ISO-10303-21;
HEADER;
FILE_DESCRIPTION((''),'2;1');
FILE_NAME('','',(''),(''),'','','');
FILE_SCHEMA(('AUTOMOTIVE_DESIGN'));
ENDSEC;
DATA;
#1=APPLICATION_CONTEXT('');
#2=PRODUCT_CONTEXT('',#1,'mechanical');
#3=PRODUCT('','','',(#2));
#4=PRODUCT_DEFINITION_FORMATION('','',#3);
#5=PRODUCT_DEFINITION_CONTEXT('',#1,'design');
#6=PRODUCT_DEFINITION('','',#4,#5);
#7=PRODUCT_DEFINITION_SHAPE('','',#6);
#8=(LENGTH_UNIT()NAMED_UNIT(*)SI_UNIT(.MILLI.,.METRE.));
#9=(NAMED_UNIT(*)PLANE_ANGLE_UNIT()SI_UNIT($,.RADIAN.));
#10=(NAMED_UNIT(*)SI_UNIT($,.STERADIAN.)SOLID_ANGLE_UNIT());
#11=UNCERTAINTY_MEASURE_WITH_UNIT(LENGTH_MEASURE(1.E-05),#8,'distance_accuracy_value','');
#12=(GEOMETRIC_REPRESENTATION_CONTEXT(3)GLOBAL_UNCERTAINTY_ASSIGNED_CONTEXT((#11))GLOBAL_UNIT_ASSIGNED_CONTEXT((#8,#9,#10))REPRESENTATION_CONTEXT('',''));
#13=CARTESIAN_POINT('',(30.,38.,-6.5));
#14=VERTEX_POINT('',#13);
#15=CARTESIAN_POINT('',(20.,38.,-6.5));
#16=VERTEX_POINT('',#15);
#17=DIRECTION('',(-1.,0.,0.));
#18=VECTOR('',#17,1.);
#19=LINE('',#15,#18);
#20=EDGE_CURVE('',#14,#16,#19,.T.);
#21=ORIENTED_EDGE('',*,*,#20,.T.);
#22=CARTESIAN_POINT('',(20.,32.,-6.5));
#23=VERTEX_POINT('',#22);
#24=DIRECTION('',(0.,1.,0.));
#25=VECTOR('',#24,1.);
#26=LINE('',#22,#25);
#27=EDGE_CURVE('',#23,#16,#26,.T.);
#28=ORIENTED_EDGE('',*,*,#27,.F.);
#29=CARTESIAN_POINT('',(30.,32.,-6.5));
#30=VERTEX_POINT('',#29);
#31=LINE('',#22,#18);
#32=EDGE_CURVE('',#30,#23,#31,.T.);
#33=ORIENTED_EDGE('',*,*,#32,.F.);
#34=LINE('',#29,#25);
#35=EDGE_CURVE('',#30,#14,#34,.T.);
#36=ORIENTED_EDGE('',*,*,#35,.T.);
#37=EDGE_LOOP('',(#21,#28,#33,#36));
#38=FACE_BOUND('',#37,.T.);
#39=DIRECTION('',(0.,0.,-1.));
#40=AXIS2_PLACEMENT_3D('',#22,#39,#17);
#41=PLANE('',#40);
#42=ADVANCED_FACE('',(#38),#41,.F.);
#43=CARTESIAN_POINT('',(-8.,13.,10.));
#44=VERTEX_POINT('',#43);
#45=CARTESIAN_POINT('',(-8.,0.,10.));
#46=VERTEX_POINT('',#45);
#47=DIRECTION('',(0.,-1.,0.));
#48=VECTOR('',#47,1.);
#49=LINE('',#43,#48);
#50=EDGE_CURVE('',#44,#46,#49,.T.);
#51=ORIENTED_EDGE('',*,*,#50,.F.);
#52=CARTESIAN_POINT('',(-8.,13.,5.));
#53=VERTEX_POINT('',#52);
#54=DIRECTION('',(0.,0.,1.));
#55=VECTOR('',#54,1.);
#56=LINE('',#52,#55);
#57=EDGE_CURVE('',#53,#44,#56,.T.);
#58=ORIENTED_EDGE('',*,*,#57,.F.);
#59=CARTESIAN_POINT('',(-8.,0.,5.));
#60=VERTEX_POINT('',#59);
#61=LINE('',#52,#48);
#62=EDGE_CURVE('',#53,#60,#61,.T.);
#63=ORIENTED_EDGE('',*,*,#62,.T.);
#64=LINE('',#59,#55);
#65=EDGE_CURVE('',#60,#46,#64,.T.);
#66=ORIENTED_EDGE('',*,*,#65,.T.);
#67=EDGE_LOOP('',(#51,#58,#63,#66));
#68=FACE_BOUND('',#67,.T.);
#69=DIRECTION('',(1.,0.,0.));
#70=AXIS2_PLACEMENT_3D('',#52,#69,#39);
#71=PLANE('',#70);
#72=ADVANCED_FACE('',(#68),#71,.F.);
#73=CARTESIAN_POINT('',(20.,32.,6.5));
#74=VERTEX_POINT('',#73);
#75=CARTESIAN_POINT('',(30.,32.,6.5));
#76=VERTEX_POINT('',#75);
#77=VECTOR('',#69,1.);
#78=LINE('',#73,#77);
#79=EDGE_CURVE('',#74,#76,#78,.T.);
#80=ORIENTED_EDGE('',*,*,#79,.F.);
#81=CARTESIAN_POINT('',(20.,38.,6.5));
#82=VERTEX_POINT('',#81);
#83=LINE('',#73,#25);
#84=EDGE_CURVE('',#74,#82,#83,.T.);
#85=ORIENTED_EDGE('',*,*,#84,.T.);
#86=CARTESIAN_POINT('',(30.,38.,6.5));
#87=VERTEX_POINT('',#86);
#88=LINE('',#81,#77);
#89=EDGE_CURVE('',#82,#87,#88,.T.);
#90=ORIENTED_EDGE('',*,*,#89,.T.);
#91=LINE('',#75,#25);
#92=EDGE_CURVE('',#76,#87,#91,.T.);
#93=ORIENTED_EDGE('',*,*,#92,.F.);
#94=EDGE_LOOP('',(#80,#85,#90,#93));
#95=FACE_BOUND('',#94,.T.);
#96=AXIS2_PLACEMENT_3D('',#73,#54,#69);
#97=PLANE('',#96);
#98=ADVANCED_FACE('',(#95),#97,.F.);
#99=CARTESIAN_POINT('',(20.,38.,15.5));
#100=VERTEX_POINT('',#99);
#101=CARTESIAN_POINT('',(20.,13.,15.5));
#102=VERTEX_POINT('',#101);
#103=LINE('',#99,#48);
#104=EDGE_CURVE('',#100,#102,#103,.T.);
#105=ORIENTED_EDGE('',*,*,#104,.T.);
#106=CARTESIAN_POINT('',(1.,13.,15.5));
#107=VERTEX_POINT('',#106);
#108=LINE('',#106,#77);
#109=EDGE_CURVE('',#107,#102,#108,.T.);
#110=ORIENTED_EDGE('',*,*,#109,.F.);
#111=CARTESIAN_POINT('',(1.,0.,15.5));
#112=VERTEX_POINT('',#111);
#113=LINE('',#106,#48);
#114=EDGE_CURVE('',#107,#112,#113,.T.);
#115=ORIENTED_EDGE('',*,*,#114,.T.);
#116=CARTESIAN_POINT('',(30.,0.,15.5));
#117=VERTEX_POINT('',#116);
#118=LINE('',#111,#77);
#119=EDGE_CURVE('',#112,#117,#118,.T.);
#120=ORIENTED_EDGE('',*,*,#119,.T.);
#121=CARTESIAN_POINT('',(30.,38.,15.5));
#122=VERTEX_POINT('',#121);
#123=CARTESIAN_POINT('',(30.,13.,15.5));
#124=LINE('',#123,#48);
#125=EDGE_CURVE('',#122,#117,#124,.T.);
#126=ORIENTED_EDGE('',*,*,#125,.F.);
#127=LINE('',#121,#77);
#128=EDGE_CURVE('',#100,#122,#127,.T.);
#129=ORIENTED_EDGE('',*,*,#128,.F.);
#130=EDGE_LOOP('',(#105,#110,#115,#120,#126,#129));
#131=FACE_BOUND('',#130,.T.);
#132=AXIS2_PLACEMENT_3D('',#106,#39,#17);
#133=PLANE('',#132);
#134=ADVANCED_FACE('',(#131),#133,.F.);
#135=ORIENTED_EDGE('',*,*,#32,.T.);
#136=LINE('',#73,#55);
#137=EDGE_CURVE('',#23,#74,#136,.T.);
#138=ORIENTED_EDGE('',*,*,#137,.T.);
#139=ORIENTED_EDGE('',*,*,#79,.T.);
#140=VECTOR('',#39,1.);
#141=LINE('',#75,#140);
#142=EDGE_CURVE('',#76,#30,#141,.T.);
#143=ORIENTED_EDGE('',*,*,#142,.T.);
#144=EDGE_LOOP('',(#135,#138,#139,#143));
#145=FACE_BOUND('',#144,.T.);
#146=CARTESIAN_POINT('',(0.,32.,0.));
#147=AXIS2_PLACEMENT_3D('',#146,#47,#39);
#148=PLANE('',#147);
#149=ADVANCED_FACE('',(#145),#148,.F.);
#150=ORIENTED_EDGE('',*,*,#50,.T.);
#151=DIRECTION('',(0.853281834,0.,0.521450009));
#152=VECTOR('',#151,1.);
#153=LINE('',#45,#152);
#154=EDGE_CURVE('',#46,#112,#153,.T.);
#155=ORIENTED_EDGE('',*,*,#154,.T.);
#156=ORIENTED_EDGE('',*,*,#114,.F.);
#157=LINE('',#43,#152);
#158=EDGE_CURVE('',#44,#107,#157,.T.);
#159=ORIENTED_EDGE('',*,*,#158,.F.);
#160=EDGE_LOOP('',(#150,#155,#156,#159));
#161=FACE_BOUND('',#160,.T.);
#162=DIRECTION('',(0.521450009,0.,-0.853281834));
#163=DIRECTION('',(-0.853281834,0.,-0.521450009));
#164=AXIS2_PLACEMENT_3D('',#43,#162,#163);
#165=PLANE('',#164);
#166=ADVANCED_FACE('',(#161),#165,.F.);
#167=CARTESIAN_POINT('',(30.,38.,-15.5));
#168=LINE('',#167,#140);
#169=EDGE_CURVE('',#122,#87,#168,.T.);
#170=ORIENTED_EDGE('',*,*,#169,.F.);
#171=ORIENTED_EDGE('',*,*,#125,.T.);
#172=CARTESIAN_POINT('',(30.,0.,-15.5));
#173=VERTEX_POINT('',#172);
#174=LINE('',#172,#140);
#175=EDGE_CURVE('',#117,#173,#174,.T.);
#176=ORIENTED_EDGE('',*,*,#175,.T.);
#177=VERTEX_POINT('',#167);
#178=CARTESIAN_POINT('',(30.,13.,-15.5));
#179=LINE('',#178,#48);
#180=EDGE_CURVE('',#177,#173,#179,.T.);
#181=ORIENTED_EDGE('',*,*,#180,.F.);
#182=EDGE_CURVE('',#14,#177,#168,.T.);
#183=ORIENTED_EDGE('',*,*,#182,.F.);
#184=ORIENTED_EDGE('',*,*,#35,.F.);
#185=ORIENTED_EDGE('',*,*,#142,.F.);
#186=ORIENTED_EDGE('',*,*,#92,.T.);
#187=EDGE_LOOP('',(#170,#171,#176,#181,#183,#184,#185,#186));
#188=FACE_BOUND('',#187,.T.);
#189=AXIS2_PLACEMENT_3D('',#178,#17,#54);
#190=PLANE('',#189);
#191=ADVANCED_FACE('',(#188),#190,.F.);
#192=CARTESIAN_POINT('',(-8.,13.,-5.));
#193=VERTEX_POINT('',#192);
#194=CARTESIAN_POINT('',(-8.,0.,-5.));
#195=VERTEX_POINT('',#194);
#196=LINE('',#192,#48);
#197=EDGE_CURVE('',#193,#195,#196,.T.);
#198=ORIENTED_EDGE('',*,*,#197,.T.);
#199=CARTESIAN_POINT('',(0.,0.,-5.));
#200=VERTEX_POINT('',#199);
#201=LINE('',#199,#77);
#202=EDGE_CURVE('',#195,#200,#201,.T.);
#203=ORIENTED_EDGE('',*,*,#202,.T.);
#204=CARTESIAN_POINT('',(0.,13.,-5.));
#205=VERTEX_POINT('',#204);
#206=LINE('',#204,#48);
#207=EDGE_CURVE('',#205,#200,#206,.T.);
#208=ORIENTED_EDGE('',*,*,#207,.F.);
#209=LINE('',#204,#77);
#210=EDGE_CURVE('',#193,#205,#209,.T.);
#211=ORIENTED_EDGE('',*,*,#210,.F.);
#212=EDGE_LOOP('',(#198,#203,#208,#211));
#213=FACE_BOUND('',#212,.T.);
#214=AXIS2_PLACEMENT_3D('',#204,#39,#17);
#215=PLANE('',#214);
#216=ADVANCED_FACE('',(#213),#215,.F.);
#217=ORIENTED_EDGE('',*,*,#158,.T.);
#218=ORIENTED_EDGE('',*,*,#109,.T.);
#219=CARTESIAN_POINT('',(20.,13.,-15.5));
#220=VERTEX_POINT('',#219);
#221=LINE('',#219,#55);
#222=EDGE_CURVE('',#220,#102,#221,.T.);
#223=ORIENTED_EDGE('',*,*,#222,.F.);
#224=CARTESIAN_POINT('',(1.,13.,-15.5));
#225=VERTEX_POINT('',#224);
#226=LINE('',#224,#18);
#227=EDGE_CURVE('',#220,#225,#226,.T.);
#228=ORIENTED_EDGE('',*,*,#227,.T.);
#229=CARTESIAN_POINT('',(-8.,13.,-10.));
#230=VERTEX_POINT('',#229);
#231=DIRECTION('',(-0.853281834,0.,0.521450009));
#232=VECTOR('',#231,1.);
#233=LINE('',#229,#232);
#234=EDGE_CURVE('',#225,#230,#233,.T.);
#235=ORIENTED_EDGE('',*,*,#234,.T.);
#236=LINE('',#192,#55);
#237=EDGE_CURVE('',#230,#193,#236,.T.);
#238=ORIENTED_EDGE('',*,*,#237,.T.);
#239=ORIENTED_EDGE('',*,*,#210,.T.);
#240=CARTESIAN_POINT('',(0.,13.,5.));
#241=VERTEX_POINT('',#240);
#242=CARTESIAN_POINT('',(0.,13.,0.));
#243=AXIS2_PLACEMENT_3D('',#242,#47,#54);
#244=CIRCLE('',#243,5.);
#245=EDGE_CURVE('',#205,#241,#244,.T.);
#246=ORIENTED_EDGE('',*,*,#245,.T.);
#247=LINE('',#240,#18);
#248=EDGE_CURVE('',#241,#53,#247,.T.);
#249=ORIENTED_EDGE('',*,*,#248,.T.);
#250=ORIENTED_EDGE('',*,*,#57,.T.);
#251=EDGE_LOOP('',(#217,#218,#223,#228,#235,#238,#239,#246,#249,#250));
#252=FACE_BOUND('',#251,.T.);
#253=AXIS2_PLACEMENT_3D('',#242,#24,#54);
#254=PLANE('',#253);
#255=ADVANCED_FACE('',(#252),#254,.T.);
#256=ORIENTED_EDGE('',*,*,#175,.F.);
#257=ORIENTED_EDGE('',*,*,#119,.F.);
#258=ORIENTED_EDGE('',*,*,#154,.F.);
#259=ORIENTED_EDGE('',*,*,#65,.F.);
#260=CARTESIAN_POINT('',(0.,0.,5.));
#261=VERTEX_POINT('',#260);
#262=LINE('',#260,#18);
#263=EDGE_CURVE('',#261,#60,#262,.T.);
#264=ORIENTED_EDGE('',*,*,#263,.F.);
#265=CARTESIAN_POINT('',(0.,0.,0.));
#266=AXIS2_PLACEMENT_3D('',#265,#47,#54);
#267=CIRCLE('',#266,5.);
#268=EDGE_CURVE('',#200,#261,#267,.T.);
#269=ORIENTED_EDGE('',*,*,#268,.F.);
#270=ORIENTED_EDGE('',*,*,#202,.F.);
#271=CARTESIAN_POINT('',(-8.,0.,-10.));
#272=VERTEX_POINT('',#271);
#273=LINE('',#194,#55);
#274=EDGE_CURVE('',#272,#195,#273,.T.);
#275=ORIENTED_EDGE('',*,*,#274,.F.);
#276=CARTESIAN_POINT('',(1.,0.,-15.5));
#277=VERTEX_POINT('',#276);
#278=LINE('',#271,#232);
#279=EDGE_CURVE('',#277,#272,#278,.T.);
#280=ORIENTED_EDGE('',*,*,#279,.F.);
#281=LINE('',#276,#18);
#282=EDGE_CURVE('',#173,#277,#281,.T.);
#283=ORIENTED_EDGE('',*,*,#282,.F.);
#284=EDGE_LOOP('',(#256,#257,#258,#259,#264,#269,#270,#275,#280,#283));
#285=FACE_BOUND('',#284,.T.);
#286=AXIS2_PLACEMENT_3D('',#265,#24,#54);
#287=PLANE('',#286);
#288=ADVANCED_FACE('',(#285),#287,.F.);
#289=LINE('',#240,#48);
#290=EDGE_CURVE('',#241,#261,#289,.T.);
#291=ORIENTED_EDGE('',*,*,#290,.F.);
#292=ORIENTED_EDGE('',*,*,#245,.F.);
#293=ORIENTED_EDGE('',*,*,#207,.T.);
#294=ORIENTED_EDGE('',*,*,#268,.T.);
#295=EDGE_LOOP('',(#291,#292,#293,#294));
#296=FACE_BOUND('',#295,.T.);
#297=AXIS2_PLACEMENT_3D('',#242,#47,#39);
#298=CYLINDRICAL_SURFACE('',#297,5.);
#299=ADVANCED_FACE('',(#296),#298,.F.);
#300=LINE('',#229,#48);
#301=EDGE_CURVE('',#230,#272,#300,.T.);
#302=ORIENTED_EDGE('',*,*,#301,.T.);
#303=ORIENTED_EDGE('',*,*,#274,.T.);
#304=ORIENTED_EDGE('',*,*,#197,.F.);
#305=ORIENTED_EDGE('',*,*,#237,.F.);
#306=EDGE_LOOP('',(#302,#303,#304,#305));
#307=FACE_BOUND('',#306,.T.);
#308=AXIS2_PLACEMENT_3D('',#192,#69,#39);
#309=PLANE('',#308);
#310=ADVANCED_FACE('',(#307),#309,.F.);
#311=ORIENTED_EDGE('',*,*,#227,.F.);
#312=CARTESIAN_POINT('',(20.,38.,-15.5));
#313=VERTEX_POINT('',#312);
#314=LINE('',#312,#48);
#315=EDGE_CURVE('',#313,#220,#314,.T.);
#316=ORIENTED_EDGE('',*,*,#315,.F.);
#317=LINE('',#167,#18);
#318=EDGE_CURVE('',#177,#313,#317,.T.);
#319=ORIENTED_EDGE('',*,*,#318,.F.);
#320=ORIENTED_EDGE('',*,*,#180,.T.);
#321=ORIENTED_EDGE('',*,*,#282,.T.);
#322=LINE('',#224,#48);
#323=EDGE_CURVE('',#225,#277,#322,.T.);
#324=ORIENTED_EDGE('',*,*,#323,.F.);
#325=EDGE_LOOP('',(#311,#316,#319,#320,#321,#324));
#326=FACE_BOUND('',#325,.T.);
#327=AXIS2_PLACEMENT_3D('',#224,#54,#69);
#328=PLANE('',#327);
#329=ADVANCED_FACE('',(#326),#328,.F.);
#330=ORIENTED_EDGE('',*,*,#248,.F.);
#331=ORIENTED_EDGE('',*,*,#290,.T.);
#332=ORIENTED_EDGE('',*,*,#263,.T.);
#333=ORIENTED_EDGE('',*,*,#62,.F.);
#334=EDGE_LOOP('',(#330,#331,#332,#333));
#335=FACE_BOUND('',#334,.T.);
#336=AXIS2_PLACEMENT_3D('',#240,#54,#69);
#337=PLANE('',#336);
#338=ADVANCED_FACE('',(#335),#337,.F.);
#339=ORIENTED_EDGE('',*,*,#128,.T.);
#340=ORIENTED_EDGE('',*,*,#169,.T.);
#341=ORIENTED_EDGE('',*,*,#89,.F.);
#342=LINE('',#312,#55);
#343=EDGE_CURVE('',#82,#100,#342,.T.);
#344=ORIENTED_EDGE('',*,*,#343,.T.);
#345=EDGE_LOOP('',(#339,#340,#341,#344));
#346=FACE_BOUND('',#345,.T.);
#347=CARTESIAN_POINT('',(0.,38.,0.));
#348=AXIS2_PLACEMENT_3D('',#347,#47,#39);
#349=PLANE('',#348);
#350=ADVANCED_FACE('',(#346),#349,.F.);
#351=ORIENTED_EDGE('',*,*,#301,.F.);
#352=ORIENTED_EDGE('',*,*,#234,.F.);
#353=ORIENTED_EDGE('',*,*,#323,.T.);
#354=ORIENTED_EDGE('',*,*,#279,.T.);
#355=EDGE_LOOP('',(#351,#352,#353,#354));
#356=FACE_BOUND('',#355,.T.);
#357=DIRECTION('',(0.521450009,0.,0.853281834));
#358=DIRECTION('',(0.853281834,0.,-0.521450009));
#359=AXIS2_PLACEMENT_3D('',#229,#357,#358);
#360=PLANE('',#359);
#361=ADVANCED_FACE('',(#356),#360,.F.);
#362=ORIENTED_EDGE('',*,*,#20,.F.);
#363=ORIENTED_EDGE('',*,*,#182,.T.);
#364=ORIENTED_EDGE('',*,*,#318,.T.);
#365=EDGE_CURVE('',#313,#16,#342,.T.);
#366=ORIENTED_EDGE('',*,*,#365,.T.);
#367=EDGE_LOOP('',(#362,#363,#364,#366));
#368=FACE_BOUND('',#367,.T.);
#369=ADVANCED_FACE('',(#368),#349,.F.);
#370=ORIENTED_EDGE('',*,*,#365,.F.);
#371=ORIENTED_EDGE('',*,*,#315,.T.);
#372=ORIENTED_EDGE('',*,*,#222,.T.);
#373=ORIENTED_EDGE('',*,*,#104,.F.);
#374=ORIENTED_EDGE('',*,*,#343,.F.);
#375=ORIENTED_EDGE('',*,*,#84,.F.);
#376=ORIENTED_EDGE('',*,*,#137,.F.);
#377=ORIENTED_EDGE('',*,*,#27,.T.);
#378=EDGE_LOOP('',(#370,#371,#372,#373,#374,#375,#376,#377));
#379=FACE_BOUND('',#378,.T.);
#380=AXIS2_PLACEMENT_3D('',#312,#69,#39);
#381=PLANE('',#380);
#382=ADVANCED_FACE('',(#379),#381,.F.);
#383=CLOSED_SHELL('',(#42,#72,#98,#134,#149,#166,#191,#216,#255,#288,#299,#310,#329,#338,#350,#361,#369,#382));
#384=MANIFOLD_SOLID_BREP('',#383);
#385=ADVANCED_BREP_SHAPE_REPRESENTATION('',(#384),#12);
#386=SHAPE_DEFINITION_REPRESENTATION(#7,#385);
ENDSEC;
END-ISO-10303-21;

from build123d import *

# Parameters (mm, degrees)
EXTRUDE_1_DEPTH     = 13
SKETCH_2_W          = 10
SKETCH_2_H          = 31
EXTRUDE_2_DEPTH     = 25
SKETCH_3_W          = 10
SKETCH_3_H          = 13
CUT_EXTRUDE_1_DEPTH = 6


with BuildPart() as part:
    # 草图1 → 凸台-拉伸1 (new body)
    with BuildSketch(Plane(origin=(0, 0, 0), x_dir=(1, 0, 0), z_dir=(0, 1, 0))):
        with BuildLine():
            Line((0, 5), (-8, 5))
            Line((-8, 5), (-8, 10))
            Line((-8, 10), (1, 15.5))
            Line((1, 15.5), (30, 15.5))
            Line((30, 15.5), (30, -15.5))
            Line((30, -15.5), (1, -15.5))
            Line((1, -15.5), (-8, -10))
            Line((-8, -10), (-8, -5))
            Line((-8, -5), (0, -5))
            ThreePointArc((0, -5), (5, 0), (0, 5))
        make_face()
    extrude(amount=EXTRUDE_1_DEPTH)

    # 草图2 → 凸台-拉伸2 (add)
    with BuildSketch(Plane(origin=(0, 13, 0), x_dir=(1, 0, 0), z_dir=(0, 1, 0))):
        with Locations((25, 0)):
            Rectangle(SKETCH_2_W, SKETCH_2_H)
    extrude(amount=EXTRUDE_2_DEPTH)

    # 草图3 → 切除-拉伸1 (cut)
    with BuildSketch(Plane(origin=(0, 38, 0), x_dir=(1, 0, 0), z_dir=(0, 1, 0))):
        with Locations((25, 0)):
            Rectangle(SKETCH_3_W, SKETCH_3_H)
    extrude(amount=-CUT_EXTRUDE_1_DEPTH, mode=Mode.SUBTRACT)


solid = part.part
